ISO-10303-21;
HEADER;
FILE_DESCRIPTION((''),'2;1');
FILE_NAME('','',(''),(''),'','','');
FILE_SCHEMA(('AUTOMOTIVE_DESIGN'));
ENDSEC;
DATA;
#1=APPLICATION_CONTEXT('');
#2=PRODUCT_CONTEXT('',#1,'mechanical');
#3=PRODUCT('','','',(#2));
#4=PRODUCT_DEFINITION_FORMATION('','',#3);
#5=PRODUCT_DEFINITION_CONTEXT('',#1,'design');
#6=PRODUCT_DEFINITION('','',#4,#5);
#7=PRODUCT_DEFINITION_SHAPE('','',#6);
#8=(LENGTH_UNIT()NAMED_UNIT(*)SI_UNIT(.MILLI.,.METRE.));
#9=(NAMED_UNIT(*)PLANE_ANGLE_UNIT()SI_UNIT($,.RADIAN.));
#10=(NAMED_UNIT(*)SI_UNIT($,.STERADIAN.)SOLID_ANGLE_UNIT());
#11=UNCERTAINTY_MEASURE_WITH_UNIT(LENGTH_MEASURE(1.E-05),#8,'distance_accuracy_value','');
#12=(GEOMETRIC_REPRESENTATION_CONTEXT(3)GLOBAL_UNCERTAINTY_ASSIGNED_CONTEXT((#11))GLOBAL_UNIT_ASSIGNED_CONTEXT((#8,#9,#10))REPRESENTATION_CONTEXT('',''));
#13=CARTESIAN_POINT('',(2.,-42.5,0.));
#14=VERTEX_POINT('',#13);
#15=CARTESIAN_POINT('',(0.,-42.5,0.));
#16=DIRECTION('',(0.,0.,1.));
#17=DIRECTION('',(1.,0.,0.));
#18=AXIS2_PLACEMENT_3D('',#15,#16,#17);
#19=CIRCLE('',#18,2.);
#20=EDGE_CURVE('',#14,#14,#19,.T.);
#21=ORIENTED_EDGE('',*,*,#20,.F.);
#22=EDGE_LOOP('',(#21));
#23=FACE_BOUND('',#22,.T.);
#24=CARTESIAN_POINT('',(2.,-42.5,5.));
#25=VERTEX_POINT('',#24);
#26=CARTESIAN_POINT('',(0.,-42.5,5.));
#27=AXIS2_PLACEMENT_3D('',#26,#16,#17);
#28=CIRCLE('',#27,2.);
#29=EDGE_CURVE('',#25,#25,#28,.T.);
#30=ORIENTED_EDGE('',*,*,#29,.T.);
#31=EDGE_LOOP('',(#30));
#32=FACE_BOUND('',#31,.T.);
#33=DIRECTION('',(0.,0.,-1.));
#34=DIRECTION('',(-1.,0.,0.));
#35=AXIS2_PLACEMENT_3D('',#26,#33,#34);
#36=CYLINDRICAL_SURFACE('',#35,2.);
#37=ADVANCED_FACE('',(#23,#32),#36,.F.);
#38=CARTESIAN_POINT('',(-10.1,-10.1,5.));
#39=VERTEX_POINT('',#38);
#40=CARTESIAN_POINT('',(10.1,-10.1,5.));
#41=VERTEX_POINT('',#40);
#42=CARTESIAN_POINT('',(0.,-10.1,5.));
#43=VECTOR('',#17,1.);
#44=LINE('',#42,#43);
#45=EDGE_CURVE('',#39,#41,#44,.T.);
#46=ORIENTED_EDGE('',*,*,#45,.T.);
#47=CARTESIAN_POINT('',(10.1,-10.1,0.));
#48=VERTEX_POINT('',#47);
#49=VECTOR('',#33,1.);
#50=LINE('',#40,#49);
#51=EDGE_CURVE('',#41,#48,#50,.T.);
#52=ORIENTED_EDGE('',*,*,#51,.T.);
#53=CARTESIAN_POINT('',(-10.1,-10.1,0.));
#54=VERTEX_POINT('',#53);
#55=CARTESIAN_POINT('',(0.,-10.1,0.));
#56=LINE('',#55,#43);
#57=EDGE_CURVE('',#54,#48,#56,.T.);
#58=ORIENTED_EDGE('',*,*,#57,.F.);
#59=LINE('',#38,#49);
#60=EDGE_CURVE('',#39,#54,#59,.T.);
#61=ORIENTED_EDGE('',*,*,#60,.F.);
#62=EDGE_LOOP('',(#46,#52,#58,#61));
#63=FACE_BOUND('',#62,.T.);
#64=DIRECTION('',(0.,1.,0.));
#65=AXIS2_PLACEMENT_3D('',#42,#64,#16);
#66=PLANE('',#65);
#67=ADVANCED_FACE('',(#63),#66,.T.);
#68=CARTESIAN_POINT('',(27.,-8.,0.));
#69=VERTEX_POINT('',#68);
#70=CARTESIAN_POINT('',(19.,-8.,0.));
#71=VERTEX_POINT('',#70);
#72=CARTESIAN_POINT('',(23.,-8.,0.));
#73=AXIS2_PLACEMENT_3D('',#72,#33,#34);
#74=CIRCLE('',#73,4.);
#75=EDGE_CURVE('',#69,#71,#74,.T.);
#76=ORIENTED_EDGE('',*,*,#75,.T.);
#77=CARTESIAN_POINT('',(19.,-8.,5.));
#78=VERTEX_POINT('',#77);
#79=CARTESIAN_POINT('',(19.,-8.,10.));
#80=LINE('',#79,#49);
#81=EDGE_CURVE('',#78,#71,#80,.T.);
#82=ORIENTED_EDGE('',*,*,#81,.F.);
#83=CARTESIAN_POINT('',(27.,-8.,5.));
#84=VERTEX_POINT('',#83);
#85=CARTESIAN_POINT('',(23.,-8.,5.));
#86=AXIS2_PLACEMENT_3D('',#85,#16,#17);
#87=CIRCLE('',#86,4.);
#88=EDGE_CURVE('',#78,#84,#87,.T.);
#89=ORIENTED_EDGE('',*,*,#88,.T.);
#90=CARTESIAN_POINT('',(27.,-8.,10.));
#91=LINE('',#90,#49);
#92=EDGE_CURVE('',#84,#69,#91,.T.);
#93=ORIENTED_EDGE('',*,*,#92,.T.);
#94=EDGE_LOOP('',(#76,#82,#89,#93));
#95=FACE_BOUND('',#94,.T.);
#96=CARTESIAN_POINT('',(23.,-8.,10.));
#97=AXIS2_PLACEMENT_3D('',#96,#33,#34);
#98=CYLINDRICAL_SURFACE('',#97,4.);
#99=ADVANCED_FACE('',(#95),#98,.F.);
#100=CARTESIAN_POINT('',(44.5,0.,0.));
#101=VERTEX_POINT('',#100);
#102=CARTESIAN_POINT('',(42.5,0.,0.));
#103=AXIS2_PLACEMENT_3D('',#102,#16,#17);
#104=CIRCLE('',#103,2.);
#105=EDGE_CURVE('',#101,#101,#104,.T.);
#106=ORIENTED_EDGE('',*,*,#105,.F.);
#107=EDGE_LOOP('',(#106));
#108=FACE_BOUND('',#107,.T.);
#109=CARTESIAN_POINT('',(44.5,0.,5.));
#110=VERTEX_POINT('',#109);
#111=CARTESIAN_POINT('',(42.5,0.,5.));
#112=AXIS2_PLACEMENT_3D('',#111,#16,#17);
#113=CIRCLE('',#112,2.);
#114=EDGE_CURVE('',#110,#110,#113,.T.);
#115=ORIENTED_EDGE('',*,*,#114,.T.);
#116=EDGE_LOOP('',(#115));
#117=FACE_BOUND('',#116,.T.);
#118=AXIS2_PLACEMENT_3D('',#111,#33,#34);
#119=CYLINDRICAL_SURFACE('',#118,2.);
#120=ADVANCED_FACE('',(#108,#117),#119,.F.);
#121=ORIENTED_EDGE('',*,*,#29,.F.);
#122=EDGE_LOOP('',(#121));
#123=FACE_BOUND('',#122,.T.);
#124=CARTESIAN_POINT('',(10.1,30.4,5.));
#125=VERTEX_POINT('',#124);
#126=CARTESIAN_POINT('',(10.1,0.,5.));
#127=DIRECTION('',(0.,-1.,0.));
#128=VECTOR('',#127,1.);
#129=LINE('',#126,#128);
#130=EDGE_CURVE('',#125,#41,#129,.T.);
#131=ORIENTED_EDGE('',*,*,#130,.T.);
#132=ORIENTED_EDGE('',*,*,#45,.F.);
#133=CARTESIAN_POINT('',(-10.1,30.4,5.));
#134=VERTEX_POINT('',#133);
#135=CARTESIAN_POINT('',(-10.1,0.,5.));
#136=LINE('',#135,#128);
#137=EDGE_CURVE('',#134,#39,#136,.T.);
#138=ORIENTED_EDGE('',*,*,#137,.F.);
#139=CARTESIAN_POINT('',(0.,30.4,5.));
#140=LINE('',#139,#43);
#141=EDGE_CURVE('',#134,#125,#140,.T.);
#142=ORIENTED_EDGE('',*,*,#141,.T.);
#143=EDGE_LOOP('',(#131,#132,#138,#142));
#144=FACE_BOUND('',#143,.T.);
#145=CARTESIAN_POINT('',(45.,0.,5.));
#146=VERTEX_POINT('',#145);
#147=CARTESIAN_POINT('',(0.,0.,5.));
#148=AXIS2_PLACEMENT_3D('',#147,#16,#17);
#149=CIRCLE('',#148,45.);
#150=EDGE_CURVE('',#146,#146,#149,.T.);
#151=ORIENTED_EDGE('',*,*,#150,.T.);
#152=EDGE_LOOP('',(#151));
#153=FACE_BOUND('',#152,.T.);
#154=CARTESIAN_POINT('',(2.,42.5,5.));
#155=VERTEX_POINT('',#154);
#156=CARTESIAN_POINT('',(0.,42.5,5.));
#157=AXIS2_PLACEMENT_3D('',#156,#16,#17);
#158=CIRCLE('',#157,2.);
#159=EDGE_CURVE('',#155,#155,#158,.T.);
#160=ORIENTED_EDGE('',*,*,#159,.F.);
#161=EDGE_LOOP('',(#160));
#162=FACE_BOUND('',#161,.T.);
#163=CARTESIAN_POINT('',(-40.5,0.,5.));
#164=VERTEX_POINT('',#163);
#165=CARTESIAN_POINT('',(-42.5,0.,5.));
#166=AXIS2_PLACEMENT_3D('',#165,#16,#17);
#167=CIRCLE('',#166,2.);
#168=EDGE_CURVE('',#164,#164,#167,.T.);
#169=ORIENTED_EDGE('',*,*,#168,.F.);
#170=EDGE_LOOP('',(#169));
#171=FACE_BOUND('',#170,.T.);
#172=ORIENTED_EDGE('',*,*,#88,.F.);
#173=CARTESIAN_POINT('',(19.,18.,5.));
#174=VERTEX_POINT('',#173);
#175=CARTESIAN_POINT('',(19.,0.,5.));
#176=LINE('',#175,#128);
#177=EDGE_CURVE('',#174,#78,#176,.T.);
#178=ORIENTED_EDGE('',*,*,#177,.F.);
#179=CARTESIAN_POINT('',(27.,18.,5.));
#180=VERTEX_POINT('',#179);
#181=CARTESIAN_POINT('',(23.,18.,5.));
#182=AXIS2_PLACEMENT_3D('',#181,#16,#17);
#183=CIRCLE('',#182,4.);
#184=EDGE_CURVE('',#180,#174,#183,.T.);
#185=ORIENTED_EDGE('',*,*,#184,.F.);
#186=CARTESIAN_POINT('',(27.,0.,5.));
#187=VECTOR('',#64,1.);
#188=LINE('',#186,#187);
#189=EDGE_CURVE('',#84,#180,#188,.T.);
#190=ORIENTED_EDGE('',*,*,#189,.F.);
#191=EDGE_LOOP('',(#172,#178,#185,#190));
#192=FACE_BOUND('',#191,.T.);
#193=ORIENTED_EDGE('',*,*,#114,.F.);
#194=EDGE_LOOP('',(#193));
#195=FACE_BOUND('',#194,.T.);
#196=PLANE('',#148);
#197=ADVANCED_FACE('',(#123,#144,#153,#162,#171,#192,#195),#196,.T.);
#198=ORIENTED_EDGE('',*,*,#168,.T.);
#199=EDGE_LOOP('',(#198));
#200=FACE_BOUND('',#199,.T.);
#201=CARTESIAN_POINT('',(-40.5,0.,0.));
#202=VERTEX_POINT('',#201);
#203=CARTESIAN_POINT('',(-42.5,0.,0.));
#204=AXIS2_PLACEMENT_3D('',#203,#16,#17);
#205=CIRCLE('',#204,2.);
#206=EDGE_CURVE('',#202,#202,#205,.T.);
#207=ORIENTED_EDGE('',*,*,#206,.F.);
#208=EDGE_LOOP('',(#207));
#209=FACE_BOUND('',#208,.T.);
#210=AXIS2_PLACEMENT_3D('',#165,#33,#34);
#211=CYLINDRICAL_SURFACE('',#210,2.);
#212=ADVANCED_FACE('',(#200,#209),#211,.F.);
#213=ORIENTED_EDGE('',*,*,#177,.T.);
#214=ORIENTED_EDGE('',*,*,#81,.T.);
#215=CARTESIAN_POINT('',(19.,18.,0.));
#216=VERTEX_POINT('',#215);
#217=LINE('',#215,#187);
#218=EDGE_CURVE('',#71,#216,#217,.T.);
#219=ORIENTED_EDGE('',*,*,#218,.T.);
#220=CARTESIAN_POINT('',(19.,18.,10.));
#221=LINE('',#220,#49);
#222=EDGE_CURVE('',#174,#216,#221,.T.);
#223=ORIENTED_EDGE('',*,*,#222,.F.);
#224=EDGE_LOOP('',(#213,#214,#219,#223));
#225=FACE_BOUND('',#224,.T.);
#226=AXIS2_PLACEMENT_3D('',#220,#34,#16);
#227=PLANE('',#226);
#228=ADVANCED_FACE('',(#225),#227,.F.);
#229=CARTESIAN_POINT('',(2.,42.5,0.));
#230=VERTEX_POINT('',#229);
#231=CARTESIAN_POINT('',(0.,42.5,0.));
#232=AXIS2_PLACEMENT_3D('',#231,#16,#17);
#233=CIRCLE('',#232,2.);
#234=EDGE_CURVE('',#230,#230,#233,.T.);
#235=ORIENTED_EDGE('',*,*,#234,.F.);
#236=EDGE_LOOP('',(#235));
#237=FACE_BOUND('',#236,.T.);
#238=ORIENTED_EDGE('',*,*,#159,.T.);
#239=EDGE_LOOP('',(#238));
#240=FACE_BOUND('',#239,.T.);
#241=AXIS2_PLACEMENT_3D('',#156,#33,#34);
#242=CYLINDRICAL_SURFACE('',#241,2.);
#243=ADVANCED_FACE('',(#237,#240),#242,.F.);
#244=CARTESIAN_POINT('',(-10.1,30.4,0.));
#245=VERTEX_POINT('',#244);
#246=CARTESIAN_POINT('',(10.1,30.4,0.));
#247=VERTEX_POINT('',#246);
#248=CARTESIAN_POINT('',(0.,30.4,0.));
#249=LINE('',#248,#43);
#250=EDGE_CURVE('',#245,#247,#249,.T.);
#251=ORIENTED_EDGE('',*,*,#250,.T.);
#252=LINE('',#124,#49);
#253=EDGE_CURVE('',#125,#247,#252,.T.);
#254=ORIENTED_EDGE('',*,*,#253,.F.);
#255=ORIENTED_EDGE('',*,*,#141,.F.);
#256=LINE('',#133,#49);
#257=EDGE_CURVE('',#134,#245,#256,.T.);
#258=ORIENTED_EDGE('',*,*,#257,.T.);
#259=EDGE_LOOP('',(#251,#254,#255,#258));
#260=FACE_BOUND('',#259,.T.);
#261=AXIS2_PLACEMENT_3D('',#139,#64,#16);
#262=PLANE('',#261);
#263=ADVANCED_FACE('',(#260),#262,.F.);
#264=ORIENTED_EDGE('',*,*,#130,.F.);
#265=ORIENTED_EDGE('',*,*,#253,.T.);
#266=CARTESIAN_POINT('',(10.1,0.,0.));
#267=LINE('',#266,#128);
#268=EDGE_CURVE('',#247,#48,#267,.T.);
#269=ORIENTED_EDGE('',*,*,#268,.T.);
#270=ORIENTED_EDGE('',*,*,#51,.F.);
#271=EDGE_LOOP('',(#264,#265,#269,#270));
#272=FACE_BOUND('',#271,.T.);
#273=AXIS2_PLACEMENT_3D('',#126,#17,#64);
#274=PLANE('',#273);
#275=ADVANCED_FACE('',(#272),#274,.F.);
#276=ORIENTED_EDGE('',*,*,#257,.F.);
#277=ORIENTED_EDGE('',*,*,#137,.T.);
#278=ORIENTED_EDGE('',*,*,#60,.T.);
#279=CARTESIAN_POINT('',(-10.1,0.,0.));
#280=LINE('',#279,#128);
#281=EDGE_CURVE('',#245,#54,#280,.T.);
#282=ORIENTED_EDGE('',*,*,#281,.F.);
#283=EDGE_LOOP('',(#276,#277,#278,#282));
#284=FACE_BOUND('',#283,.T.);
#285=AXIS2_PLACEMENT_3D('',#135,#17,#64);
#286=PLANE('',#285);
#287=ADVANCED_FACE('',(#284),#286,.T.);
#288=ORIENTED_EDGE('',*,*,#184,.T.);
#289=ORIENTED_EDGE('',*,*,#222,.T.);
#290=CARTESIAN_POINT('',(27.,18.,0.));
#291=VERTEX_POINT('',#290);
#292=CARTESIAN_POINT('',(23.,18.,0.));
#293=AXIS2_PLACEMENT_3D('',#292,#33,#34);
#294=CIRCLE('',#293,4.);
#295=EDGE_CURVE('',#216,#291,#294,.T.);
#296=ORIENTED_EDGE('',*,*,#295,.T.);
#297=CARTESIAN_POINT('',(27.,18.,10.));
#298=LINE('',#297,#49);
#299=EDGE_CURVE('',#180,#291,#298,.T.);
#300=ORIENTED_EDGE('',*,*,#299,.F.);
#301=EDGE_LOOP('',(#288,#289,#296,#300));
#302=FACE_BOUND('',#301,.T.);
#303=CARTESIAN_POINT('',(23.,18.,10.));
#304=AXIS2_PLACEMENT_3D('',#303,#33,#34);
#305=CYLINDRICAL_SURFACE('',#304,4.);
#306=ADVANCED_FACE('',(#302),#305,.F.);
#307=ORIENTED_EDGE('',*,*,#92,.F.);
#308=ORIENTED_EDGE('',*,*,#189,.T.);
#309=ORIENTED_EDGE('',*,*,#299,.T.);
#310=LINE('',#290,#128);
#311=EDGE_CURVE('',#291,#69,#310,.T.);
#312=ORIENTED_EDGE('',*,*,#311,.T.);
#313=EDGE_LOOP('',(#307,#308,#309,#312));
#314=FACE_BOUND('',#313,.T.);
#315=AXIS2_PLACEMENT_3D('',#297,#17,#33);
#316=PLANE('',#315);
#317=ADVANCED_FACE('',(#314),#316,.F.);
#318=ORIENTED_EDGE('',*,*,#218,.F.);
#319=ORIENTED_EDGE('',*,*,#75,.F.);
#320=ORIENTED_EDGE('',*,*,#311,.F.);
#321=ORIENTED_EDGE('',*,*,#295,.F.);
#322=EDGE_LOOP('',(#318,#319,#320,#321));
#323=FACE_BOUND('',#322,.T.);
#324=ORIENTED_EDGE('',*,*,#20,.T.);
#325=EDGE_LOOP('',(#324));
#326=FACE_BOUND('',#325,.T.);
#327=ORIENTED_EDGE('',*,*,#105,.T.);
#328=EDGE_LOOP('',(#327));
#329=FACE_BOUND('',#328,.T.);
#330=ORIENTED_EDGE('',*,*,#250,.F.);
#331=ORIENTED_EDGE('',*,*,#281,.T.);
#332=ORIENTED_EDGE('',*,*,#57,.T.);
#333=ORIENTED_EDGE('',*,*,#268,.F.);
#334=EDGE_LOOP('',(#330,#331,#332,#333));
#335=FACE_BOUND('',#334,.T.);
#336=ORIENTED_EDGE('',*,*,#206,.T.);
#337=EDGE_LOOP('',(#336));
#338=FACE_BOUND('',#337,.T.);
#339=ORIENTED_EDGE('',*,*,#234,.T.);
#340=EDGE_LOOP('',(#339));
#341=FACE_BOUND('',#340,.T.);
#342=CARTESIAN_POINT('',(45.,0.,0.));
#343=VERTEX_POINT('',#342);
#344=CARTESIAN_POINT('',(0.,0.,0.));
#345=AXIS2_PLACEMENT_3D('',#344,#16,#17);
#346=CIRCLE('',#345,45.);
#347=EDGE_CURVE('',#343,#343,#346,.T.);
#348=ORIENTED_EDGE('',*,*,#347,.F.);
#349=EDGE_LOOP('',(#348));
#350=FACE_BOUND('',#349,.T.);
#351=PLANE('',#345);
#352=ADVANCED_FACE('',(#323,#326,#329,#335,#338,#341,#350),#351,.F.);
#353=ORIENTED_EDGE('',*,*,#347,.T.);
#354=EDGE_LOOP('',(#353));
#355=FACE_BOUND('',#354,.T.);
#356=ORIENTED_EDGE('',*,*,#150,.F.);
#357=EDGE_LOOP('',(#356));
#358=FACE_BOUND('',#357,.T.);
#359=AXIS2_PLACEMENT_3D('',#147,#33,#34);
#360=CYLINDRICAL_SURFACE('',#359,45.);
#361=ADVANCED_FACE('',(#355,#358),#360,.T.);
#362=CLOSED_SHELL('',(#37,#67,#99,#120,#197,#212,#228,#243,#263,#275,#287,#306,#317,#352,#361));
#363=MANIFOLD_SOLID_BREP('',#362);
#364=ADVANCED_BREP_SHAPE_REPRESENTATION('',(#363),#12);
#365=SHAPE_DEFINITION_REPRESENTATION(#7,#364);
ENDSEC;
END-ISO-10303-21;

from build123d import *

# Parameters (mm, degrees)
SKETCH1_R           = 45
SKETCH1_R_2         = 2
SKETCH1_W           = 20.2
SKETCH1_H           = 40.5
BOSS_EXTRUDE1_DEPTH = 5
CUT_EXTRUDE1_DEPTH  = 10


with BuildPart() as part:
    # Sketch1 → Boss-Extrude1 (new body)
    with BuildSketch(Plane.XY):
        Circle(SKETCH1_R)
        with Locations((42.5, 0)):
            Circle(SKETCH1_R_2, mode=Mode.SUBTRACT)
        with Locations((0, -42.5)):
            Circle(SKETCH1_R_2, mode=Mode.SUBTRACT)
        with Locations((-42.5, 0)):
            Circle(SKETCH1_R_2, mode=Mode.SUBTRACT)
        with Locations((0, 42.5)):
            Circle(SKETCH1_R_2, mode=Mode.SUBTRACT)
        with Locations((0, 10.15)):
            Rectangle(SKETCH1_W, SKETCH1_H, mode=Mode.SUBTRACT)
    extrude(amount=BOSS_EXTRUDE1_DEPTH)

    # Sketch2 → Cut-Extrude1 (cut)
    with BuildSketch(Plane(origin=(0, 0, 0), x_dir=(-1, 0, 0), z_dir=(0, 0, -1))):
        with BuildLine():
            Line((-19, 18), (-19, -8))
            ThreePointArc((-19, -8), (-23, -12), (-27, -8))
            Line((-27, -8), (-27, 18))
            ThreePointArc((-27, 18), (-23, 22), (-19, 18))
        make_face()
    extrude(amount=-CUT_EXTRUDE1_DEPTH, mode=Mode.SUBTRACT)


solid = part.part
